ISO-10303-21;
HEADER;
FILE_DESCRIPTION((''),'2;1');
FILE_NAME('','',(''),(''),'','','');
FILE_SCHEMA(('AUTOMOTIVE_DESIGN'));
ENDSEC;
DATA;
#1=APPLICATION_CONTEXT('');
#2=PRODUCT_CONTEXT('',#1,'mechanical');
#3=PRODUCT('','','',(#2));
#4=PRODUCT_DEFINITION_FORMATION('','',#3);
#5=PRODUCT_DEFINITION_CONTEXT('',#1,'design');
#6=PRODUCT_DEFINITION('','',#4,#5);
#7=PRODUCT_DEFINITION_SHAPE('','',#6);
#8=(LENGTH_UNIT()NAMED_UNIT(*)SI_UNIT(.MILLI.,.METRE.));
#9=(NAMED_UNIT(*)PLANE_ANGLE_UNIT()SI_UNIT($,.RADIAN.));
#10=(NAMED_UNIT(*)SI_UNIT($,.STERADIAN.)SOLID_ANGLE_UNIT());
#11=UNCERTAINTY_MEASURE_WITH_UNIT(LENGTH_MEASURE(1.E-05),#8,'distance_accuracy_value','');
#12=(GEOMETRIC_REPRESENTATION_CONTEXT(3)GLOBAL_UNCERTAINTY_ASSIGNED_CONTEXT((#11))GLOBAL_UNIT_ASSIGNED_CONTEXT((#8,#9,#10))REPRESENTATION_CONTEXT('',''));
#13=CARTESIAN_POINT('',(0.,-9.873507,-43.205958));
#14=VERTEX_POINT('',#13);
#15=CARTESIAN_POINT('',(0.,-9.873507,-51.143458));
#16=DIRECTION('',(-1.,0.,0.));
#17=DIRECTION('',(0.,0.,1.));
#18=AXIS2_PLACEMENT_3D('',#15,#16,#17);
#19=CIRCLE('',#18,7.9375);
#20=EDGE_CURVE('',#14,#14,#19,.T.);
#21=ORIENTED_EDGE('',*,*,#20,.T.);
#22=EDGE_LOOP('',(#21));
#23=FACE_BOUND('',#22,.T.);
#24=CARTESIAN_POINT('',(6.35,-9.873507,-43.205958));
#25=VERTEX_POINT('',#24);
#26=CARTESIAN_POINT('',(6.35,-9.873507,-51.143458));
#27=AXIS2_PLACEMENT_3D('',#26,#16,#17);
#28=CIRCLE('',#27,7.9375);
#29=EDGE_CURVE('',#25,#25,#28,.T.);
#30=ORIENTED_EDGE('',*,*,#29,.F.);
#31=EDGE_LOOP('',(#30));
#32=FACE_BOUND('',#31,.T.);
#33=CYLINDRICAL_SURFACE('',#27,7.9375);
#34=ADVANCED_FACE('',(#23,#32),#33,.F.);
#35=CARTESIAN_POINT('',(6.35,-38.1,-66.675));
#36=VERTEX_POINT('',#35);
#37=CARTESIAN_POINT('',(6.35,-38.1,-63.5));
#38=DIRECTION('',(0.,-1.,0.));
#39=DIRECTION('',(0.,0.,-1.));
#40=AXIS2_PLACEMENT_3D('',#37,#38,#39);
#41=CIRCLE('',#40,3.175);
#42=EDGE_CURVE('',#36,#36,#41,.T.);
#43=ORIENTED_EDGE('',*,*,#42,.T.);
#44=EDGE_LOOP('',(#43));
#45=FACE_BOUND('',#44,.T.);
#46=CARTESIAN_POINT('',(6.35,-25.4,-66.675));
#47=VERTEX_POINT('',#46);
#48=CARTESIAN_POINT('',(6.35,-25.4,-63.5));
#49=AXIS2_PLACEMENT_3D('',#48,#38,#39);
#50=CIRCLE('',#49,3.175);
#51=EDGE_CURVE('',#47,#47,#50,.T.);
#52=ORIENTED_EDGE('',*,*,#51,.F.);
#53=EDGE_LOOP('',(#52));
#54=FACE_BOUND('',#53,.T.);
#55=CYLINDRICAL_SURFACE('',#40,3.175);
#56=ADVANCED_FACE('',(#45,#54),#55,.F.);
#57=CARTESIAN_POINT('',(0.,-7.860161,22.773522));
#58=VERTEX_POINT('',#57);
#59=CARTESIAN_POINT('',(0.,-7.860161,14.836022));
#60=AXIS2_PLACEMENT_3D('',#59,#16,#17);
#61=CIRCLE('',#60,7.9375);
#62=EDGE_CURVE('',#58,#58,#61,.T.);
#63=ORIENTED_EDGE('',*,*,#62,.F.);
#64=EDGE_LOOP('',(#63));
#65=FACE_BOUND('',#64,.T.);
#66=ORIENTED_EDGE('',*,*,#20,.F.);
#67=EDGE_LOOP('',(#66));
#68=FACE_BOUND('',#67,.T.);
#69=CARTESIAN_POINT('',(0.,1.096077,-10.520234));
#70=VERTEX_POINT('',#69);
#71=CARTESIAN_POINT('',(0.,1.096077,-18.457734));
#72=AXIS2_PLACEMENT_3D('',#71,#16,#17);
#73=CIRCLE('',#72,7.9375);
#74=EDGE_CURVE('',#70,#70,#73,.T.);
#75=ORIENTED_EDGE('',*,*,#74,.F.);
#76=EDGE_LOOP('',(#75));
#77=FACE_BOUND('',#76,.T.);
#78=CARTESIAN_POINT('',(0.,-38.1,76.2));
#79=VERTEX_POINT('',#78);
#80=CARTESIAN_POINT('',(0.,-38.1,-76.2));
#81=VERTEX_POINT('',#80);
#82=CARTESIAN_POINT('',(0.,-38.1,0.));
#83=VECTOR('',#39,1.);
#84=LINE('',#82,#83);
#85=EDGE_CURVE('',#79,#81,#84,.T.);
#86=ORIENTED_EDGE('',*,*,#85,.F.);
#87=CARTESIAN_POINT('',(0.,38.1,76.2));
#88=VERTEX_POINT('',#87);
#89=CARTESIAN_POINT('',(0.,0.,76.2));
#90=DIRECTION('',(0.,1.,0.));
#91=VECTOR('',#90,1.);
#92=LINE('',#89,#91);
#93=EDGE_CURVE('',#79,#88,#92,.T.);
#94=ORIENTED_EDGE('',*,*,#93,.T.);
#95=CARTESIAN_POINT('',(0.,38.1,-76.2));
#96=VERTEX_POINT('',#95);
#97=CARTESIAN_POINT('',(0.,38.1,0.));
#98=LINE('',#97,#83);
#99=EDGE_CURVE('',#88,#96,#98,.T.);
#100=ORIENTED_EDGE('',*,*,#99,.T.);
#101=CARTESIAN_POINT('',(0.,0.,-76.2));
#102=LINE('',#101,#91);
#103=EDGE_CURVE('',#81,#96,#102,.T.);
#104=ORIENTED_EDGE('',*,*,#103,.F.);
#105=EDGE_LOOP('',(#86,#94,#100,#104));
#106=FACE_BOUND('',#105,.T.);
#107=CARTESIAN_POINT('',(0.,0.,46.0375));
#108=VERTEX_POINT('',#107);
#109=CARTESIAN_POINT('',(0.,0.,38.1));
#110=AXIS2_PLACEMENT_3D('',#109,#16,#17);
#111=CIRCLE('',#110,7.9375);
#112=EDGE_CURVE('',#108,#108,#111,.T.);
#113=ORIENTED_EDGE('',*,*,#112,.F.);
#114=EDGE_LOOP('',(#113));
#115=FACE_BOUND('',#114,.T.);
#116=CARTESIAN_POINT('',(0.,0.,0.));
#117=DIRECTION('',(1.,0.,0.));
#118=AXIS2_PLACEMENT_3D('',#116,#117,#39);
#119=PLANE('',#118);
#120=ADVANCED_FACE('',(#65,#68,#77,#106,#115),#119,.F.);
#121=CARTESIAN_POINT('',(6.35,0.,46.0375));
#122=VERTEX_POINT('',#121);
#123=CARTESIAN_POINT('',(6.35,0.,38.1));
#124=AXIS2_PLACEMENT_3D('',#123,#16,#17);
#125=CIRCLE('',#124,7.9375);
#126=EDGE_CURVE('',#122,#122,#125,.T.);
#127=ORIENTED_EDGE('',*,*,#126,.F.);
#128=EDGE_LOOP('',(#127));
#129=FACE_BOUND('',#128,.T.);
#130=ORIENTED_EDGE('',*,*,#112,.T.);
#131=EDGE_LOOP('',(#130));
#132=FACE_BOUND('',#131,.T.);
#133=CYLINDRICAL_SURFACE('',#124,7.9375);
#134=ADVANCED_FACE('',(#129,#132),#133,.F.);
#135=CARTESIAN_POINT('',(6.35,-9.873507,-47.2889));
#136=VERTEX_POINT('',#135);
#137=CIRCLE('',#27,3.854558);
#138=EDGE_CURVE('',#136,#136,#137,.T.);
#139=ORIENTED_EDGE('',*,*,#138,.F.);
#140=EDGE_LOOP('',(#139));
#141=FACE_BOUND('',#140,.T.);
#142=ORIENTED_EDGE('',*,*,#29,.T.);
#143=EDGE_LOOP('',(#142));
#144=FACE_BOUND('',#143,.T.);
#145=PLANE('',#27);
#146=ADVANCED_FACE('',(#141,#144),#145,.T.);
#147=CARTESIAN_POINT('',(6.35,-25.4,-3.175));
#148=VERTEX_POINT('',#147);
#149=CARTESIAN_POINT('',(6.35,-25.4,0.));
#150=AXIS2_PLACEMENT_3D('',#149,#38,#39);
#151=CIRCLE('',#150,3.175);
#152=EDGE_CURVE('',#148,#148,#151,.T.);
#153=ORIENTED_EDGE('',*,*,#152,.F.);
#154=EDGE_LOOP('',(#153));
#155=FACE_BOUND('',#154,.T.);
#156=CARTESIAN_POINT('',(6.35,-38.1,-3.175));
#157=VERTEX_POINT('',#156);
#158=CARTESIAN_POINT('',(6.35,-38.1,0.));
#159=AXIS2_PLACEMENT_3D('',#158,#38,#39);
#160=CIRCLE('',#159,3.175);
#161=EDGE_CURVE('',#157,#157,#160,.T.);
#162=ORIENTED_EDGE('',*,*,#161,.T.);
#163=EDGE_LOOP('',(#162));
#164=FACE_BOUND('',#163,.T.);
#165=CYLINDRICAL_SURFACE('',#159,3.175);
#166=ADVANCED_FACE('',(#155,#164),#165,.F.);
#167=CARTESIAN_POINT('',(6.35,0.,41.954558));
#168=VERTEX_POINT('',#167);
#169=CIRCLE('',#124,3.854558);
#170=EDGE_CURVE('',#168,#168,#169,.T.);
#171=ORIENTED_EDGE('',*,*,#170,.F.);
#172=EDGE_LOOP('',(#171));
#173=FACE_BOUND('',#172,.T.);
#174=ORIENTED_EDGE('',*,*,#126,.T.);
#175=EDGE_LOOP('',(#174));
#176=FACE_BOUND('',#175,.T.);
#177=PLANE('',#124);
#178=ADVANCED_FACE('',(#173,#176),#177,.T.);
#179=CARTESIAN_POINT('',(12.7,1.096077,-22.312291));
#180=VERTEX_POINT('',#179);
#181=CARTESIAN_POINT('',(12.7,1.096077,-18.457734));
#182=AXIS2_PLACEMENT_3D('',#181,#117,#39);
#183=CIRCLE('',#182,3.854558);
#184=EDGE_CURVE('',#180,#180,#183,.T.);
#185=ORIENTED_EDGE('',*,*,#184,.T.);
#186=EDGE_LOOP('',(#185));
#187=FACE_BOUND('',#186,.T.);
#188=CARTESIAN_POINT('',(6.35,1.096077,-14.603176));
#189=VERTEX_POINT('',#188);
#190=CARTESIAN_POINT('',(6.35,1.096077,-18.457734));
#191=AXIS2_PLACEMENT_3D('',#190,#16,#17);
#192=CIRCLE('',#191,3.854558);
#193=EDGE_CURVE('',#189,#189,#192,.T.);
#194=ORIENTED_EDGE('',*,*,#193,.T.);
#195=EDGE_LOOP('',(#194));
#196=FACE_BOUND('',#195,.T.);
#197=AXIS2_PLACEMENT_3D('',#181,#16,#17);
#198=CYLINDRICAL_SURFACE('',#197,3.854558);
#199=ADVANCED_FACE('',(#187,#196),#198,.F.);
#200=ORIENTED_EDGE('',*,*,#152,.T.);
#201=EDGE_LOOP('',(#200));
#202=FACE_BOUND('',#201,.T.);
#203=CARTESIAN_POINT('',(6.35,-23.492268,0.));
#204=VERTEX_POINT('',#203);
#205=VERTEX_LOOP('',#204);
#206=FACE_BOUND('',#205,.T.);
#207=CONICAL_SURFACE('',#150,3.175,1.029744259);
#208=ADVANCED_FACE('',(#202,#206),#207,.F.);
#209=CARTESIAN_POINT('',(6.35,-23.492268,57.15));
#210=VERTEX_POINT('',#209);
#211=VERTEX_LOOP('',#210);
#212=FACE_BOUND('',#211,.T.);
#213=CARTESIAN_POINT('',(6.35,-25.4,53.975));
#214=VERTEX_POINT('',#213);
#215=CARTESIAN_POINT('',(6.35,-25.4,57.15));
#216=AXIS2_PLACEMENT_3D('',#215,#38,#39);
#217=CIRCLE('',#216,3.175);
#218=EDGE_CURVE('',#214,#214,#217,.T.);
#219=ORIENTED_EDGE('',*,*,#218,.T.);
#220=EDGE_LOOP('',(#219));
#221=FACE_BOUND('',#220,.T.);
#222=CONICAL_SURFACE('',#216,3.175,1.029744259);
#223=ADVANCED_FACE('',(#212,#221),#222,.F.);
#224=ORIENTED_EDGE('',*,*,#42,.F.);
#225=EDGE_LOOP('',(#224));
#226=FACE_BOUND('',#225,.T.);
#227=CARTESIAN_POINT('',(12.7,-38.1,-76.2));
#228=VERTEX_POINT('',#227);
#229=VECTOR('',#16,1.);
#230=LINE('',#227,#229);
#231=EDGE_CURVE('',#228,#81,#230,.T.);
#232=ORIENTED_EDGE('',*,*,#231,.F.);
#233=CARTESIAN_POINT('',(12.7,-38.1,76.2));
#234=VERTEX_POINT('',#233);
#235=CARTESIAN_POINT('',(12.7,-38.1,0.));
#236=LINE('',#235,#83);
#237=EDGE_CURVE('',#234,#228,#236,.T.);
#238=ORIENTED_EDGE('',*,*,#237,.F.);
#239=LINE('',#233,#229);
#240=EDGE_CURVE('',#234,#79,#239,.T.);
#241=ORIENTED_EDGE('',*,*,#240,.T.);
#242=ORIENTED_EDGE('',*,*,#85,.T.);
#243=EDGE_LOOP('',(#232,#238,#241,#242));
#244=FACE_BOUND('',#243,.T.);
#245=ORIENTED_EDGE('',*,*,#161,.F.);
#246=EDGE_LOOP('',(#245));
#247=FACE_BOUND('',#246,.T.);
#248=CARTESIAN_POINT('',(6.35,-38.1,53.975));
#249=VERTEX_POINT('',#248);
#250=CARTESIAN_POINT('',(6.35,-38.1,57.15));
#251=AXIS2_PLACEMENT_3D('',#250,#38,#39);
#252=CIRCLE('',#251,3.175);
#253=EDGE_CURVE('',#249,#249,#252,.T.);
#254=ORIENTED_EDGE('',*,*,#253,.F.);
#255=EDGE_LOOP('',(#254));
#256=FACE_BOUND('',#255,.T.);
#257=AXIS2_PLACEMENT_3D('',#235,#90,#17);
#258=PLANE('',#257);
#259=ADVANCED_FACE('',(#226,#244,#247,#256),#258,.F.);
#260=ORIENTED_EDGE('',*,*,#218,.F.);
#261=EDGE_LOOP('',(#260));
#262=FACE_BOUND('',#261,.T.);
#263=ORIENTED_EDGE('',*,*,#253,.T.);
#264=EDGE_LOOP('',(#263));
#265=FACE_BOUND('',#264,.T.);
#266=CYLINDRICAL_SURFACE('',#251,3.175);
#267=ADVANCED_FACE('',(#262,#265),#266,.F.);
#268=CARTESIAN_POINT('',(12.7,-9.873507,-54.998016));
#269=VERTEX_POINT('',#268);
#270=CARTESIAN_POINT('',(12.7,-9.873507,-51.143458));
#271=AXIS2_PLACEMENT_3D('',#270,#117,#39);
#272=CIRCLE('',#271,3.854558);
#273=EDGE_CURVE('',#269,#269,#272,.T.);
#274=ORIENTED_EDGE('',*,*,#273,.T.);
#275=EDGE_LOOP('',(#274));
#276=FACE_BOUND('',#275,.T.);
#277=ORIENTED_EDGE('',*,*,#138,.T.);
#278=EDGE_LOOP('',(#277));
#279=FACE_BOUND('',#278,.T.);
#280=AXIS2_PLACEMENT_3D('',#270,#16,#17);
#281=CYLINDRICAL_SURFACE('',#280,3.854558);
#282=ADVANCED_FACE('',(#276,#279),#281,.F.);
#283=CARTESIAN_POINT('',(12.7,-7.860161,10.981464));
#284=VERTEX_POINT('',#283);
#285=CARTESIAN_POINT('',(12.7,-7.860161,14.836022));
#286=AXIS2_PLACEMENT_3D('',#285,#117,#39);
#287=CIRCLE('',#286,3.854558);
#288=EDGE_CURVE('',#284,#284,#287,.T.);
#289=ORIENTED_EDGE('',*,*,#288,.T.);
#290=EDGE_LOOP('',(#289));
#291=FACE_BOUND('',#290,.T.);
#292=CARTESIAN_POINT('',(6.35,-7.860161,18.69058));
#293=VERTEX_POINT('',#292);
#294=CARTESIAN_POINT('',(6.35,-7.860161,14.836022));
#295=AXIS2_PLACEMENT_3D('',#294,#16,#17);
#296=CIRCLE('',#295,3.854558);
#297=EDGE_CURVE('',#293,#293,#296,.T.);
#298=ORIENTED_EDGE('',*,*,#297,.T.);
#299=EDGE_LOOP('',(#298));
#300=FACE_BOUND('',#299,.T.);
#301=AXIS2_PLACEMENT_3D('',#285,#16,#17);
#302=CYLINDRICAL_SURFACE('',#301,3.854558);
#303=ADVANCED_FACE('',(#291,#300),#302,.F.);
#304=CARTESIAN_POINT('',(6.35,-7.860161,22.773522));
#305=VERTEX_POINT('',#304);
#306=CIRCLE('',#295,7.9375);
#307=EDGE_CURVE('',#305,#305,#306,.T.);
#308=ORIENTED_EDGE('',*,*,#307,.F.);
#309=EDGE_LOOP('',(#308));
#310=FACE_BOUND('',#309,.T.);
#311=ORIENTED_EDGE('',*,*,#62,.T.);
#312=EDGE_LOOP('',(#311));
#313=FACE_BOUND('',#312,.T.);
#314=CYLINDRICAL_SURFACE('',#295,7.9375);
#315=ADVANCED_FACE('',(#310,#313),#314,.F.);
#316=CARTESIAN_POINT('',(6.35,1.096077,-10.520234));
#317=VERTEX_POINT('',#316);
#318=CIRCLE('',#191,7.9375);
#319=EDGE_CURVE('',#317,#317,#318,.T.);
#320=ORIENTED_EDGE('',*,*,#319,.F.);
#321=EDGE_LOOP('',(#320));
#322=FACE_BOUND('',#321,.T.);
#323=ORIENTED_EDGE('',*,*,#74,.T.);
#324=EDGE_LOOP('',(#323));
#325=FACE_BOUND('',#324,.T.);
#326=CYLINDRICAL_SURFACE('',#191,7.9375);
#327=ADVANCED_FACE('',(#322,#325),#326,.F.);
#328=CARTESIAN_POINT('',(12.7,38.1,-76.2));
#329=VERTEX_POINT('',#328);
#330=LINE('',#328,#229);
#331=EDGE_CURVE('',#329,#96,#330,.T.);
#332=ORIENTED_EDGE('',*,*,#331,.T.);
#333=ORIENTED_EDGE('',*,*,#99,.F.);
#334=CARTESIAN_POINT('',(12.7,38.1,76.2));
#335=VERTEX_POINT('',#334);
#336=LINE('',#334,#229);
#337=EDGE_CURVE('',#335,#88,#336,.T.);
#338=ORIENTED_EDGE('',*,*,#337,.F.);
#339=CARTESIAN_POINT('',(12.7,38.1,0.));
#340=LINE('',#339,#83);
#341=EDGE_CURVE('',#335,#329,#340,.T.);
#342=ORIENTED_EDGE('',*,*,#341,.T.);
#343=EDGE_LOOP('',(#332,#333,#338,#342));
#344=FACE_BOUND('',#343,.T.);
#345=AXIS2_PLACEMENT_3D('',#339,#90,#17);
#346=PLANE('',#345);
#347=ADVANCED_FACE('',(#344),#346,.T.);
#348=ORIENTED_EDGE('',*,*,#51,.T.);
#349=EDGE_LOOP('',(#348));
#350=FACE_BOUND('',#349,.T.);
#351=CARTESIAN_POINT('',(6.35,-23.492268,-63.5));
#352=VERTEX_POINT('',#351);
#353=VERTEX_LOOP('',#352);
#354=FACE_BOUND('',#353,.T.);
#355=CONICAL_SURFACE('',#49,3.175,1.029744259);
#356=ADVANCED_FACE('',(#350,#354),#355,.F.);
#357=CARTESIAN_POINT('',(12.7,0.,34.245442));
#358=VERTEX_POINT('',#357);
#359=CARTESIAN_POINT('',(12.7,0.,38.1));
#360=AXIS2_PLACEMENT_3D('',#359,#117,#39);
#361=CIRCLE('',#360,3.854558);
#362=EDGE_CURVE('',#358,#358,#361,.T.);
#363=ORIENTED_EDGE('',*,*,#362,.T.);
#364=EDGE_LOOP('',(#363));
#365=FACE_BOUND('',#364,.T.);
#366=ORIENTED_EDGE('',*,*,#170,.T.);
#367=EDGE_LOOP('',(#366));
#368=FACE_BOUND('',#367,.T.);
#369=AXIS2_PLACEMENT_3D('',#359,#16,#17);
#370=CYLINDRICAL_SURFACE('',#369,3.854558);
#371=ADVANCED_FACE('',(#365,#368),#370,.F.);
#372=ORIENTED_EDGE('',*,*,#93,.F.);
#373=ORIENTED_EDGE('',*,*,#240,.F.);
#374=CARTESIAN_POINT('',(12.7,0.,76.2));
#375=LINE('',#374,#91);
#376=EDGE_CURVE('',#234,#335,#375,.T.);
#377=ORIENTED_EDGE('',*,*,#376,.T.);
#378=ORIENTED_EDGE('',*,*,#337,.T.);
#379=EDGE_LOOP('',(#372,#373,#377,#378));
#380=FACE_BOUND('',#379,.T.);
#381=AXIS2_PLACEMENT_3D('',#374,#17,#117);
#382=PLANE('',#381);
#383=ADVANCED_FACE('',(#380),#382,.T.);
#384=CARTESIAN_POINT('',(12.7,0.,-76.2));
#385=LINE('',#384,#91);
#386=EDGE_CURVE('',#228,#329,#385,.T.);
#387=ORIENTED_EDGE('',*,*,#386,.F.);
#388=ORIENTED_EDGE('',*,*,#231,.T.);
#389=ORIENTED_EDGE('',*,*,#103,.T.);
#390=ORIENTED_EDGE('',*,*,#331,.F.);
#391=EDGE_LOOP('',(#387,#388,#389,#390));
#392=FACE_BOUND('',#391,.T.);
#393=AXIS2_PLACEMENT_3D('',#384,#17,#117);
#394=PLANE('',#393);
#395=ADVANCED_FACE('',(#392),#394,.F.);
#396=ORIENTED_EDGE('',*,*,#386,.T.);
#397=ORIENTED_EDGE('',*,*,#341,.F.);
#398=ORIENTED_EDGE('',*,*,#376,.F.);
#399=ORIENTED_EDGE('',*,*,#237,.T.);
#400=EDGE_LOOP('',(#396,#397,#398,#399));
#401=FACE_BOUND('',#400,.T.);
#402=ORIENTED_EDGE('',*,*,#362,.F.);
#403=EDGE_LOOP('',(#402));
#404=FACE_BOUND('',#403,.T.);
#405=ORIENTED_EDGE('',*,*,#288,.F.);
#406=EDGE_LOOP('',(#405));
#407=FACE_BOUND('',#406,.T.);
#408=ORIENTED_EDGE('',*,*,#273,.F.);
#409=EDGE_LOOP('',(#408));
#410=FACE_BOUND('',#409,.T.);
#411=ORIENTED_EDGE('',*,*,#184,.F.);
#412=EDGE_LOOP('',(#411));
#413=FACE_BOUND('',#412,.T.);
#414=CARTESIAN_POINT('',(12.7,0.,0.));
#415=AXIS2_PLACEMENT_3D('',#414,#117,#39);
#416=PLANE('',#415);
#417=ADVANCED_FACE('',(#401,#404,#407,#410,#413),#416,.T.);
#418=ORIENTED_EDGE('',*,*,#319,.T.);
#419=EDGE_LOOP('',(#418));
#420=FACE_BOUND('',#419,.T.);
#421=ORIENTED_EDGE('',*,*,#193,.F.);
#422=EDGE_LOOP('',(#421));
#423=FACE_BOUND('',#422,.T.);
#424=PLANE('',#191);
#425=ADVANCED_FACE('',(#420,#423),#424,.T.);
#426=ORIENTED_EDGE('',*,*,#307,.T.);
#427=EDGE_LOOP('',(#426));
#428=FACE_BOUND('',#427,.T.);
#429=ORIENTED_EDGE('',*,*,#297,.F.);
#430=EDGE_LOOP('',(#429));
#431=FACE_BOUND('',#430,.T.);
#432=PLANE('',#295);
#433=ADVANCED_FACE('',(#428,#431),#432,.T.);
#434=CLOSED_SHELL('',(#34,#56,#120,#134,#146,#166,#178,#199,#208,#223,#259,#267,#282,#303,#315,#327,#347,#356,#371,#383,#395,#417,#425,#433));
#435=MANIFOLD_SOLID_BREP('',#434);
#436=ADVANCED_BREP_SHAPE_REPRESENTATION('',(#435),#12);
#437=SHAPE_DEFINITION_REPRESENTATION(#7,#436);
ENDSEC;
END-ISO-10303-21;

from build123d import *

# Parameters (mm, degrees)
SKETCH1_W                       = 152.4
SKETCH1_H                       = 76.2
SKETCH1_R                       = 3.854557775
BOSS_EXTRUDE1_DEPTH             = 12.7
F_1_4_0_25_DIAMETER_HOLE2_D     = 6.35
F_1_4_0_25_DIAMETER_HOLE2_DEPTH = 12.7
F_1_4_0_25_DIAMETER_HOLE2_TIP   = 1.907732465
SKETCH2_R                       = 7.9375
CUT_EXTRUDE1_DEPTH              = 6.35


with BuildPart() as part:
    # Sketch1 → Boss-Extrude1 (new body)
    with BuildSketch(Plane(origin=(0, 0, 0), x_dir=(0, 0, -1), z_dir=(1, 0, 0))):
        Rectangle(SKETCH1_W, SKETCH1_H)
        with Locations((18.457733582, 1.096077429)):
            Circle(SKETCH1_R, mode=Mode.SUBTRACT)
        with Locations((-38.1, 0)):
            Circle(SKETCH1_R, mode=Mode.SUBTRACT)
        with Locations((-14.836022013, -7.860160654)):
            Circle(SKETCH1_R, mode=Mode.SUBTRACT)
        with Locations((51.143457994, -9.873506971)):
            Circle(SKETCH1_R, mode=Mode.SUBTRACT)
    extrude(amount=BOSS_EXTRUDE1_DEPTH)

    # 1/4 (0.25) Diameter Hole2
    with Locations(Plane.XZ.offset(38.1)):
        with Locations((6.35, 57.15), (6.35, -63.5), (6.35, 0)):
            Hole(F_1_4_0_25_DIAMETER_HOLE2_D / 2, depth=F_1_4_0_25_DIAMETER_HOLE2_DEPTH)
            with Locations((0, 0, -(F_1_4_0_25_DIAMETER_HOLE2_DEPTH + F_1_4_0_25_DIAMETER_HOLE2_TIP / 2))):  # 118° drill point
                Cone(0, F_1_4_0_25_DIAMETER_HOLE2_D / 2, F_1_4_0_25_DIAMETER_HOLE2_TIP, mode=Mode.SUBTRACT)

    # Sketch2 → Cut-Extrude1 (cut)
    with BuildSketch(Plane.ZY):
        with Locations((38.1, 0)):
            Circle(SKETCH2_R)
        with Locations((14.836022013, -7.860160654)):
            Circle(SKETCH2_R)
        with Locations((-18.457733582, 1.096077429)):
            Circle(SKETCH2_R)
        with Locations((-51.143457994, -9.873506971)):
            Circle(SKETCH2_R)
    extrude(amount=-CUT_EXTRUDE1_DEPTH, mode=Mode.SUBTRACT)


solid = part.part
